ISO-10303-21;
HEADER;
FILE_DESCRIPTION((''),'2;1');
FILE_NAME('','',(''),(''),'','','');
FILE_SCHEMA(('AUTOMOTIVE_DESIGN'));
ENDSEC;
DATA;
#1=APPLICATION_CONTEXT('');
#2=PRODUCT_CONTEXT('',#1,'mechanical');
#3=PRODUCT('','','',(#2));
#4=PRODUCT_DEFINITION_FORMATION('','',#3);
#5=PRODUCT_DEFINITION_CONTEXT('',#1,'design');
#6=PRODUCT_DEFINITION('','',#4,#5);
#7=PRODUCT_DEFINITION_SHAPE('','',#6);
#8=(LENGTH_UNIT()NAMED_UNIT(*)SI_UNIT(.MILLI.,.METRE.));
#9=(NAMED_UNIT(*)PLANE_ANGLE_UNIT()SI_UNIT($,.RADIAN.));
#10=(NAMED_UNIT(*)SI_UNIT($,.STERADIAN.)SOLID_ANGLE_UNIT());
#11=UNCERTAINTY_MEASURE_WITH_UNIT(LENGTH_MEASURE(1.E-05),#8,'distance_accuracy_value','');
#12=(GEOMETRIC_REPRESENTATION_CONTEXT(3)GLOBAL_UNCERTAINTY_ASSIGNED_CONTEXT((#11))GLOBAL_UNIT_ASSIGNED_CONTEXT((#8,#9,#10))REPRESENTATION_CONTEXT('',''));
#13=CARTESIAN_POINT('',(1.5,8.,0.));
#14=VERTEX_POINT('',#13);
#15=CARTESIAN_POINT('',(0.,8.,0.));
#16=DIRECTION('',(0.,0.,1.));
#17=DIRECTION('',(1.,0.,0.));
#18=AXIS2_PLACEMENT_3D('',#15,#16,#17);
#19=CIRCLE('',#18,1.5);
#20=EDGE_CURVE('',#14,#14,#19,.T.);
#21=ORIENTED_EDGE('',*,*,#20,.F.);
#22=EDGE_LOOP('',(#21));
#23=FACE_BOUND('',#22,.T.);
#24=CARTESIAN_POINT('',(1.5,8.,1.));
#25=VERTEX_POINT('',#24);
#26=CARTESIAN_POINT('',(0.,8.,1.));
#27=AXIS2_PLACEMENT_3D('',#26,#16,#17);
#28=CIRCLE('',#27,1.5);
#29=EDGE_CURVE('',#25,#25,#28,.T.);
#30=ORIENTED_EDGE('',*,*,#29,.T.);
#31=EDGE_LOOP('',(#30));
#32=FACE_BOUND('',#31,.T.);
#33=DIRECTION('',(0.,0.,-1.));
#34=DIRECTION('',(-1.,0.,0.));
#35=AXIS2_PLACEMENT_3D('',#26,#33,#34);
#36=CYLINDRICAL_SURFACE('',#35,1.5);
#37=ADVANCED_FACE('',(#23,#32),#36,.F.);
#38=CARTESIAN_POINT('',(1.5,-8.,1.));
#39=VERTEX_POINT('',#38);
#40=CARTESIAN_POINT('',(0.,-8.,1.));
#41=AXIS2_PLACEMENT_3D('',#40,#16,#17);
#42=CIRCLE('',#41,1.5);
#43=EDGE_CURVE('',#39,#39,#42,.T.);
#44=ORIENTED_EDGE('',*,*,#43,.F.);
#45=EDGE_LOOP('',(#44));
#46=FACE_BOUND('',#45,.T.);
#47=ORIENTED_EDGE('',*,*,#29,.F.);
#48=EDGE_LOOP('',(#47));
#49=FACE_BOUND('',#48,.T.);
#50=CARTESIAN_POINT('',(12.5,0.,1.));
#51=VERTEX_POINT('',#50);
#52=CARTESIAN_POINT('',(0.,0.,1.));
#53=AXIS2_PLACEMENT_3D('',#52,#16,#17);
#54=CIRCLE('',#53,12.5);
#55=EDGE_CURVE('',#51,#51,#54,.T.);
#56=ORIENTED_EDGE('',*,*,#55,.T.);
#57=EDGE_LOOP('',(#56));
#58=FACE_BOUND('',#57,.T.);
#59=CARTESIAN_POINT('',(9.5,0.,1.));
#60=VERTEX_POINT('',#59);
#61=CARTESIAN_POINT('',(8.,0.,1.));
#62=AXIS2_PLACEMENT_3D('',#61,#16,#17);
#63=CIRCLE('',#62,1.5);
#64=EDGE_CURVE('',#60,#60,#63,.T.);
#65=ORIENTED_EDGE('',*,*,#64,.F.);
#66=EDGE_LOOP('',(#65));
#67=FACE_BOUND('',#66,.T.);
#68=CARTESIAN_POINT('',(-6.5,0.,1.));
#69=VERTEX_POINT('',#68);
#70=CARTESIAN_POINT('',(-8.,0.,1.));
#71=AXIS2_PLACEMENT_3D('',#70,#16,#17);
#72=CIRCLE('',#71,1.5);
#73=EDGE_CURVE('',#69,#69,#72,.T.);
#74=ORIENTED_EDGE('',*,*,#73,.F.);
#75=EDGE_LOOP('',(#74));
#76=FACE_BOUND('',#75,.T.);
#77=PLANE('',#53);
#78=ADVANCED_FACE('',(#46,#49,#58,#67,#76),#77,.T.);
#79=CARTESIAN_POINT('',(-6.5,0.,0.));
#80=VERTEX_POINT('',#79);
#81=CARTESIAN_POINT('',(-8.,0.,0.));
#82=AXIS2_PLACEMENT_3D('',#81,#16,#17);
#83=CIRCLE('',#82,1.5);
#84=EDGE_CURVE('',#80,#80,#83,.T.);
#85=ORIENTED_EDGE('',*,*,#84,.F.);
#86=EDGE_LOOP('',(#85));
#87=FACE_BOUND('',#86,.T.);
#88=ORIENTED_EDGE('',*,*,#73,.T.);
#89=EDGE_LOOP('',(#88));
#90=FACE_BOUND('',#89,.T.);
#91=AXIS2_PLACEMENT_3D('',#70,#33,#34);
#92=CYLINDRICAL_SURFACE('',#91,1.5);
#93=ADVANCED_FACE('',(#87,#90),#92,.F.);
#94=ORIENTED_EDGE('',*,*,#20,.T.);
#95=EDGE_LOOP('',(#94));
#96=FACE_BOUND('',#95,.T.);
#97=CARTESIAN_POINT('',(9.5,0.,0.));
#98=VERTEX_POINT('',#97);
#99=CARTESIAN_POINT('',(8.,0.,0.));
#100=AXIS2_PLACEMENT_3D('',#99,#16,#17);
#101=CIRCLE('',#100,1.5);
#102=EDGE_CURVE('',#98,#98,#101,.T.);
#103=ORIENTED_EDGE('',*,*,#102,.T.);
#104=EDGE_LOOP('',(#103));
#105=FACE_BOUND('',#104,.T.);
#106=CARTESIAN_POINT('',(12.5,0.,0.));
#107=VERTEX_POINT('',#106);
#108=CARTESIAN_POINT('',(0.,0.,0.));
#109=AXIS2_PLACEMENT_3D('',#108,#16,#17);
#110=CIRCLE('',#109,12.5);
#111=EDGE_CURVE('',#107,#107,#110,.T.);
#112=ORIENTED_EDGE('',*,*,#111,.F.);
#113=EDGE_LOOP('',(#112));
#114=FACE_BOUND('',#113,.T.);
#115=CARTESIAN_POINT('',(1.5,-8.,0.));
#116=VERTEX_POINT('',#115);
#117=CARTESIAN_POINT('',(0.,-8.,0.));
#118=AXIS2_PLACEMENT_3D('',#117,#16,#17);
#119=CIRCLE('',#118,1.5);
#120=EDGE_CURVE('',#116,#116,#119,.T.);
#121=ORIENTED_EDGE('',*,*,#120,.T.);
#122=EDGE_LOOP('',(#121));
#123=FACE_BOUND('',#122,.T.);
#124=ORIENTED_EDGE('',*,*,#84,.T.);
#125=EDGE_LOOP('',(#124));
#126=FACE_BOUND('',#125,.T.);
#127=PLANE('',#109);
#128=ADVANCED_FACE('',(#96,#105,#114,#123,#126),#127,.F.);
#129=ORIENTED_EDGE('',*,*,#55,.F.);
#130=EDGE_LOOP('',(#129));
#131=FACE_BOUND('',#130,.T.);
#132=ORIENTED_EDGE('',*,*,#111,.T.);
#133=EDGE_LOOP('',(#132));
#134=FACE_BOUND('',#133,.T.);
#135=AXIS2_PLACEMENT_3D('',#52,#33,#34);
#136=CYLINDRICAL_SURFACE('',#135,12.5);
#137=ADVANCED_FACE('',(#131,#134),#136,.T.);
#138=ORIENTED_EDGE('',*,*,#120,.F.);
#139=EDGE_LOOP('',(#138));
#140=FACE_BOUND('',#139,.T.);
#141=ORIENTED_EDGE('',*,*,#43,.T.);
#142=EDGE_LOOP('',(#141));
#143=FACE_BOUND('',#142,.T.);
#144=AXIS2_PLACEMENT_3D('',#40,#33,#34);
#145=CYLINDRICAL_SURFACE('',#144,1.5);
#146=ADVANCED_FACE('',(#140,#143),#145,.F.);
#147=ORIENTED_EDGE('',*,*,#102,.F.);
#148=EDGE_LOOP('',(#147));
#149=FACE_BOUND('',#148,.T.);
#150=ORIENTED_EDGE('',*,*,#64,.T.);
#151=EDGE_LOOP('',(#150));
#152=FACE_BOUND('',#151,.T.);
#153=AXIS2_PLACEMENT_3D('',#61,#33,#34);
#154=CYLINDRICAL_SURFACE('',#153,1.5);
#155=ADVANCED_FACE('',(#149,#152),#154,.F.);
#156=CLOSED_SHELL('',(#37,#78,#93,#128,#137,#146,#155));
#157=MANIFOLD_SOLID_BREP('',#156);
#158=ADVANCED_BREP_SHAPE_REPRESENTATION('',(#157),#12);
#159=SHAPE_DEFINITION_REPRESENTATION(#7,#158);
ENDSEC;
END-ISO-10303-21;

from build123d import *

# Parameters (mm, degrees)
SKIZZE1_R                       = 12.5
SKIZZE1_R_2                     = 1.5
AUFSATZ_LINEAR_AUSTRAGEN1_DEPTH = 1


with BuildPart() as part:
    # Skizze1 → Aufsatz-Linear austragen1 (new body)
    with BuildSketch(Plane.XY):
        Circle(SKIZZE1_R)
        with Locations((8, 0)):
            Circle(SKIZZE1_R_2, mode=Mode.SUBTRACT)
        with Locations((0, -8)):
            Circle(SKIZZE1_R_2, mode=Mode.SUBTRACT)
        with Locations((-8, 0)):
            Circle(SKIZZE1_R_2, mode=Mode.SUBTRACT)
        with Locations((0, 8)):
            Circle(SKIZZE1_R_2, mode=Mode.SUBTRACT)
    extrude(amount=AUFSATZ_LINEAR_AUSTRAGEN1_DEPTH)


solid = part.part
